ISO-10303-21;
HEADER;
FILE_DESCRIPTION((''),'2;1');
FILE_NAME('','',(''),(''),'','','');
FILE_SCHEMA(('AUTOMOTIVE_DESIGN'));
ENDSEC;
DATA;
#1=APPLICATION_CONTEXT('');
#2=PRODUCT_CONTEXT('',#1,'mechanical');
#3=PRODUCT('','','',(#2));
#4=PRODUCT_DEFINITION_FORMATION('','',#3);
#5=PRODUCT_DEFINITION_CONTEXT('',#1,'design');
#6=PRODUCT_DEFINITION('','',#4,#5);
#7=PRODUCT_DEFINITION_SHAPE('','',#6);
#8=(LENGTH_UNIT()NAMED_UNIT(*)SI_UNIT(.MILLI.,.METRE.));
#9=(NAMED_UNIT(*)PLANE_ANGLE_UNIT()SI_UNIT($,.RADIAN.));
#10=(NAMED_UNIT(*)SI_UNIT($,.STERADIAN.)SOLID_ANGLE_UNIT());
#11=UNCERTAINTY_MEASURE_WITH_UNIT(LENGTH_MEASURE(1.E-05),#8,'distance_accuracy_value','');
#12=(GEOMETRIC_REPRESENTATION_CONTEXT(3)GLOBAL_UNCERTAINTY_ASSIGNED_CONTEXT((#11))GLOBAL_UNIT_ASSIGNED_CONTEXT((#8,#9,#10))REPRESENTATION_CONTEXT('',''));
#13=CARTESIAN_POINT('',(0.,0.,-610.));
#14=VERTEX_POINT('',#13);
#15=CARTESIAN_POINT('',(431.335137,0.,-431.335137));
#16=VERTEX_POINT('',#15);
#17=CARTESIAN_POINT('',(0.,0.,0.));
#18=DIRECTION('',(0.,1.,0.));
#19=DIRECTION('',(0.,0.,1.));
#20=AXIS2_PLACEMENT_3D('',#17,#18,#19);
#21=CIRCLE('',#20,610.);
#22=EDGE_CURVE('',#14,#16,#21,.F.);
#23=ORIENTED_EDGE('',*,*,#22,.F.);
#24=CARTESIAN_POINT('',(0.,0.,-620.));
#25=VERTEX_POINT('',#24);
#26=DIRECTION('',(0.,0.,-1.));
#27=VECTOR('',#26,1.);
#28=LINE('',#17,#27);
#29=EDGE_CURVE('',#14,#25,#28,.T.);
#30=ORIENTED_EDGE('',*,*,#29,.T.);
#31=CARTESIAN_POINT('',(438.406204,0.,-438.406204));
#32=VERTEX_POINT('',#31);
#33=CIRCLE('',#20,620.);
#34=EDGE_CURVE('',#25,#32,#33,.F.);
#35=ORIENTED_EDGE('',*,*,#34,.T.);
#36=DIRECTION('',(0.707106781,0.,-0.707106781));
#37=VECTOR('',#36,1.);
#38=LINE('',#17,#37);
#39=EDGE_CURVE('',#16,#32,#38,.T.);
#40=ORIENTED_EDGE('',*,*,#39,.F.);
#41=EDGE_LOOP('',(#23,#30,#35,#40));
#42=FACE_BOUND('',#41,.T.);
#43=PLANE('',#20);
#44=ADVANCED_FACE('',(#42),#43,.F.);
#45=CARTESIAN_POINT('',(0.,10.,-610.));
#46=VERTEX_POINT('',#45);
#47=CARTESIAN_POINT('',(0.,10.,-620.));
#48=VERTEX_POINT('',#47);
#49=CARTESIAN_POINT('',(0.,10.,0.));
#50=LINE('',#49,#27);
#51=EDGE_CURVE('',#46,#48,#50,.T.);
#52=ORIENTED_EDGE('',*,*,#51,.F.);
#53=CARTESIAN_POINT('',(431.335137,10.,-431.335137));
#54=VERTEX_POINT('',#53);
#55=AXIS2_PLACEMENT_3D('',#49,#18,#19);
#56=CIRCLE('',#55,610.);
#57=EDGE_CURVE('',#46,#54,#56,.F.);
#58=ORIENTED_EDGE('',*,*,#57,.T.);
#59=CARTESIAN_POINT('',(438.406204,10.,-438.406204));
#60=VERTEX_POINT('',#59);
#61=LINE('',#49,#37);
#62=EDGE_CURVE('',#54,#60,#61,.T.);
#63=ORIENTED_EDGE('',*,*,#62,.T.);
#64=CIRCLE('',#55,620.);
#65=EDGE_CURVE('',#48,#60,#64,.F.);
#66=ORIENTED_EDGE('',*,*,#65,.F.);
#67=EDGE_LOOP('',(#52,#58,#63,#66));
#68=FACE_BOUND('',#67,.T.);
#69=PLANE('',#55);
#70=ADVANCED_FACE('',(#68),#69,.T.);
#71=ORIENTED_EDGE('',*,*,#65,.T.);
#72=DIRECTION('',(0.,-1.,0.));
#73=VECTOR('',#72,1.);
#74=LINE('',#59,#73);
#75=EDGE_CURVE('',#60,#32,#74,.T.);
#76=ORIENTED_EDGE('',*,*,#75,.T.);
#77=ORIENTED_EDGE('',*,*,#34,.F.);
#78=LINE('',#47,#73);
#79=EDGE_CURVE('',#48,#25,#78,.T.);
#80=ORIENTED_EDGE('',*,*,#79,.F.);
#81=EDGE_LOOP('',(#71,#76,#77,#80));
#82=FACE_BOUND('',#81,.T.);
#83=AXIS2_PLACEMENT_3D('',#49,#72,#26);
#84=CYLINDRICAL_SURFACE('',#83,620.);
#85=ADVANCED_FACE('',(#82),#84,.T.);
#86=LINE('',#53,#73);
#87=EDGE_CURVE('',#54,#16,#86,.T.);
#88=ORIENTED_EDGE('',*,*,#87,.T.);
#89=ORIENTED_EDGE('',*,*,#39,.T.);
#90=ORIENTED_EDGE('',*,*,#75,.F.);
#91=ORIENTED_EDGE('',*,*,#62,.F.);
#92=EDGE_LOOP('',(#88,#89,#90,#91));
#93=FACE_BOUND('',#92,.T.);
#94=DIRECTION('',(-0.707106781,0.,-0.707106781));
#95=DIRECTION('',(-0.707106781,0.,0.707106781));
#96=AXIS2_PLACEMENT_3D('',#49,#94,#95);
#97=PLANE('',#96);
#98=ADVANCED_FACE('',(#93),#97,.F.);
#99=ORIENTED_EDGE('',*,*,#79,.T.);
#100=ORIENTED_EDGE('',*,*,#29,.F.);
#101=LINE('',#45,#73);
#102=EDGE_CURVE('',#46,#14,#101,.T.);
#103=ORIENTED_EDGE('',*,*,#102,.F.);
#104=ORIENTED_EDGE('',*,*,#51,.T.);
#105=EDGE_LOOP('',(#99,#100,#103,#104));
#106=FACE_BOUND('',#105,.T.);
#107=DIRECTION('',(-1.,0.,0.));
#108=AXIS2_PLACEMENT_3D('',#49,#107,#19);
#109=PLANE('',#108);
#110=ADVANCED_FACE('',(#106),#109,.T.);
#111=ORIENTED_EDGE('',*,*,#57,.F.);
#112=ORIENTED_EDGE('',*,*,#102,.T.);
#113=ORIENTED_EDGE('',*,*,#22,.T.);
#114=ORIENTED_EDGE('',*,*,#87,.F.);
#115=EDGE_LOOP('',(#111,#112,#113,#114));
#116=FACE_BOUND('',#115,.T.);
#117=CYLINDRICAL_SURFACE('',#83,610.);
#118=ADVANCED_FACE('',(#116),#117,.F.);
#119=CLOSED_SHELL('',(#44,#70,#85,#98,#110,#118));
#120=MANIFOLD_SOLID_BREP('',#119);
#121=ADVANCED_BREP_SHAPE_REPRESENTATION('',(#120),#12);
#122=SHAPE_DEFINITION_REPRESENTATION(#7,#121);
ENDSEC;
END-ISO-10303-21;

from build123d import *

# Parameters (mm, degrees)
BOSS_EXTRUDE1_DEPTH = 10


with BuildPart() as part:
    # Sketch1 → Boss-Extrude1 (new body)
    with BuildSketch(Plane(origin=(0, 0, 0), x_dir=(1, 0, 0), z_dir=(0, 1, 0))):
        with BuildLine():
            ThreePointArc((0, 620), (237.263728066, 572.805310157), (438.406204336, 438.406204336))
            Line((438.406204336, 438.406204336), (431.335136524, 431.335136524))
            ThreePointArc((431.335136524, 431.335136524), (233.436893743, 563.566514832), (0, 610))
            Line((0, 610), (0, 620))
        make_face()
    extrude(amount=BOSS_EXTRUDE1_DEPTH)


solid = part.part
